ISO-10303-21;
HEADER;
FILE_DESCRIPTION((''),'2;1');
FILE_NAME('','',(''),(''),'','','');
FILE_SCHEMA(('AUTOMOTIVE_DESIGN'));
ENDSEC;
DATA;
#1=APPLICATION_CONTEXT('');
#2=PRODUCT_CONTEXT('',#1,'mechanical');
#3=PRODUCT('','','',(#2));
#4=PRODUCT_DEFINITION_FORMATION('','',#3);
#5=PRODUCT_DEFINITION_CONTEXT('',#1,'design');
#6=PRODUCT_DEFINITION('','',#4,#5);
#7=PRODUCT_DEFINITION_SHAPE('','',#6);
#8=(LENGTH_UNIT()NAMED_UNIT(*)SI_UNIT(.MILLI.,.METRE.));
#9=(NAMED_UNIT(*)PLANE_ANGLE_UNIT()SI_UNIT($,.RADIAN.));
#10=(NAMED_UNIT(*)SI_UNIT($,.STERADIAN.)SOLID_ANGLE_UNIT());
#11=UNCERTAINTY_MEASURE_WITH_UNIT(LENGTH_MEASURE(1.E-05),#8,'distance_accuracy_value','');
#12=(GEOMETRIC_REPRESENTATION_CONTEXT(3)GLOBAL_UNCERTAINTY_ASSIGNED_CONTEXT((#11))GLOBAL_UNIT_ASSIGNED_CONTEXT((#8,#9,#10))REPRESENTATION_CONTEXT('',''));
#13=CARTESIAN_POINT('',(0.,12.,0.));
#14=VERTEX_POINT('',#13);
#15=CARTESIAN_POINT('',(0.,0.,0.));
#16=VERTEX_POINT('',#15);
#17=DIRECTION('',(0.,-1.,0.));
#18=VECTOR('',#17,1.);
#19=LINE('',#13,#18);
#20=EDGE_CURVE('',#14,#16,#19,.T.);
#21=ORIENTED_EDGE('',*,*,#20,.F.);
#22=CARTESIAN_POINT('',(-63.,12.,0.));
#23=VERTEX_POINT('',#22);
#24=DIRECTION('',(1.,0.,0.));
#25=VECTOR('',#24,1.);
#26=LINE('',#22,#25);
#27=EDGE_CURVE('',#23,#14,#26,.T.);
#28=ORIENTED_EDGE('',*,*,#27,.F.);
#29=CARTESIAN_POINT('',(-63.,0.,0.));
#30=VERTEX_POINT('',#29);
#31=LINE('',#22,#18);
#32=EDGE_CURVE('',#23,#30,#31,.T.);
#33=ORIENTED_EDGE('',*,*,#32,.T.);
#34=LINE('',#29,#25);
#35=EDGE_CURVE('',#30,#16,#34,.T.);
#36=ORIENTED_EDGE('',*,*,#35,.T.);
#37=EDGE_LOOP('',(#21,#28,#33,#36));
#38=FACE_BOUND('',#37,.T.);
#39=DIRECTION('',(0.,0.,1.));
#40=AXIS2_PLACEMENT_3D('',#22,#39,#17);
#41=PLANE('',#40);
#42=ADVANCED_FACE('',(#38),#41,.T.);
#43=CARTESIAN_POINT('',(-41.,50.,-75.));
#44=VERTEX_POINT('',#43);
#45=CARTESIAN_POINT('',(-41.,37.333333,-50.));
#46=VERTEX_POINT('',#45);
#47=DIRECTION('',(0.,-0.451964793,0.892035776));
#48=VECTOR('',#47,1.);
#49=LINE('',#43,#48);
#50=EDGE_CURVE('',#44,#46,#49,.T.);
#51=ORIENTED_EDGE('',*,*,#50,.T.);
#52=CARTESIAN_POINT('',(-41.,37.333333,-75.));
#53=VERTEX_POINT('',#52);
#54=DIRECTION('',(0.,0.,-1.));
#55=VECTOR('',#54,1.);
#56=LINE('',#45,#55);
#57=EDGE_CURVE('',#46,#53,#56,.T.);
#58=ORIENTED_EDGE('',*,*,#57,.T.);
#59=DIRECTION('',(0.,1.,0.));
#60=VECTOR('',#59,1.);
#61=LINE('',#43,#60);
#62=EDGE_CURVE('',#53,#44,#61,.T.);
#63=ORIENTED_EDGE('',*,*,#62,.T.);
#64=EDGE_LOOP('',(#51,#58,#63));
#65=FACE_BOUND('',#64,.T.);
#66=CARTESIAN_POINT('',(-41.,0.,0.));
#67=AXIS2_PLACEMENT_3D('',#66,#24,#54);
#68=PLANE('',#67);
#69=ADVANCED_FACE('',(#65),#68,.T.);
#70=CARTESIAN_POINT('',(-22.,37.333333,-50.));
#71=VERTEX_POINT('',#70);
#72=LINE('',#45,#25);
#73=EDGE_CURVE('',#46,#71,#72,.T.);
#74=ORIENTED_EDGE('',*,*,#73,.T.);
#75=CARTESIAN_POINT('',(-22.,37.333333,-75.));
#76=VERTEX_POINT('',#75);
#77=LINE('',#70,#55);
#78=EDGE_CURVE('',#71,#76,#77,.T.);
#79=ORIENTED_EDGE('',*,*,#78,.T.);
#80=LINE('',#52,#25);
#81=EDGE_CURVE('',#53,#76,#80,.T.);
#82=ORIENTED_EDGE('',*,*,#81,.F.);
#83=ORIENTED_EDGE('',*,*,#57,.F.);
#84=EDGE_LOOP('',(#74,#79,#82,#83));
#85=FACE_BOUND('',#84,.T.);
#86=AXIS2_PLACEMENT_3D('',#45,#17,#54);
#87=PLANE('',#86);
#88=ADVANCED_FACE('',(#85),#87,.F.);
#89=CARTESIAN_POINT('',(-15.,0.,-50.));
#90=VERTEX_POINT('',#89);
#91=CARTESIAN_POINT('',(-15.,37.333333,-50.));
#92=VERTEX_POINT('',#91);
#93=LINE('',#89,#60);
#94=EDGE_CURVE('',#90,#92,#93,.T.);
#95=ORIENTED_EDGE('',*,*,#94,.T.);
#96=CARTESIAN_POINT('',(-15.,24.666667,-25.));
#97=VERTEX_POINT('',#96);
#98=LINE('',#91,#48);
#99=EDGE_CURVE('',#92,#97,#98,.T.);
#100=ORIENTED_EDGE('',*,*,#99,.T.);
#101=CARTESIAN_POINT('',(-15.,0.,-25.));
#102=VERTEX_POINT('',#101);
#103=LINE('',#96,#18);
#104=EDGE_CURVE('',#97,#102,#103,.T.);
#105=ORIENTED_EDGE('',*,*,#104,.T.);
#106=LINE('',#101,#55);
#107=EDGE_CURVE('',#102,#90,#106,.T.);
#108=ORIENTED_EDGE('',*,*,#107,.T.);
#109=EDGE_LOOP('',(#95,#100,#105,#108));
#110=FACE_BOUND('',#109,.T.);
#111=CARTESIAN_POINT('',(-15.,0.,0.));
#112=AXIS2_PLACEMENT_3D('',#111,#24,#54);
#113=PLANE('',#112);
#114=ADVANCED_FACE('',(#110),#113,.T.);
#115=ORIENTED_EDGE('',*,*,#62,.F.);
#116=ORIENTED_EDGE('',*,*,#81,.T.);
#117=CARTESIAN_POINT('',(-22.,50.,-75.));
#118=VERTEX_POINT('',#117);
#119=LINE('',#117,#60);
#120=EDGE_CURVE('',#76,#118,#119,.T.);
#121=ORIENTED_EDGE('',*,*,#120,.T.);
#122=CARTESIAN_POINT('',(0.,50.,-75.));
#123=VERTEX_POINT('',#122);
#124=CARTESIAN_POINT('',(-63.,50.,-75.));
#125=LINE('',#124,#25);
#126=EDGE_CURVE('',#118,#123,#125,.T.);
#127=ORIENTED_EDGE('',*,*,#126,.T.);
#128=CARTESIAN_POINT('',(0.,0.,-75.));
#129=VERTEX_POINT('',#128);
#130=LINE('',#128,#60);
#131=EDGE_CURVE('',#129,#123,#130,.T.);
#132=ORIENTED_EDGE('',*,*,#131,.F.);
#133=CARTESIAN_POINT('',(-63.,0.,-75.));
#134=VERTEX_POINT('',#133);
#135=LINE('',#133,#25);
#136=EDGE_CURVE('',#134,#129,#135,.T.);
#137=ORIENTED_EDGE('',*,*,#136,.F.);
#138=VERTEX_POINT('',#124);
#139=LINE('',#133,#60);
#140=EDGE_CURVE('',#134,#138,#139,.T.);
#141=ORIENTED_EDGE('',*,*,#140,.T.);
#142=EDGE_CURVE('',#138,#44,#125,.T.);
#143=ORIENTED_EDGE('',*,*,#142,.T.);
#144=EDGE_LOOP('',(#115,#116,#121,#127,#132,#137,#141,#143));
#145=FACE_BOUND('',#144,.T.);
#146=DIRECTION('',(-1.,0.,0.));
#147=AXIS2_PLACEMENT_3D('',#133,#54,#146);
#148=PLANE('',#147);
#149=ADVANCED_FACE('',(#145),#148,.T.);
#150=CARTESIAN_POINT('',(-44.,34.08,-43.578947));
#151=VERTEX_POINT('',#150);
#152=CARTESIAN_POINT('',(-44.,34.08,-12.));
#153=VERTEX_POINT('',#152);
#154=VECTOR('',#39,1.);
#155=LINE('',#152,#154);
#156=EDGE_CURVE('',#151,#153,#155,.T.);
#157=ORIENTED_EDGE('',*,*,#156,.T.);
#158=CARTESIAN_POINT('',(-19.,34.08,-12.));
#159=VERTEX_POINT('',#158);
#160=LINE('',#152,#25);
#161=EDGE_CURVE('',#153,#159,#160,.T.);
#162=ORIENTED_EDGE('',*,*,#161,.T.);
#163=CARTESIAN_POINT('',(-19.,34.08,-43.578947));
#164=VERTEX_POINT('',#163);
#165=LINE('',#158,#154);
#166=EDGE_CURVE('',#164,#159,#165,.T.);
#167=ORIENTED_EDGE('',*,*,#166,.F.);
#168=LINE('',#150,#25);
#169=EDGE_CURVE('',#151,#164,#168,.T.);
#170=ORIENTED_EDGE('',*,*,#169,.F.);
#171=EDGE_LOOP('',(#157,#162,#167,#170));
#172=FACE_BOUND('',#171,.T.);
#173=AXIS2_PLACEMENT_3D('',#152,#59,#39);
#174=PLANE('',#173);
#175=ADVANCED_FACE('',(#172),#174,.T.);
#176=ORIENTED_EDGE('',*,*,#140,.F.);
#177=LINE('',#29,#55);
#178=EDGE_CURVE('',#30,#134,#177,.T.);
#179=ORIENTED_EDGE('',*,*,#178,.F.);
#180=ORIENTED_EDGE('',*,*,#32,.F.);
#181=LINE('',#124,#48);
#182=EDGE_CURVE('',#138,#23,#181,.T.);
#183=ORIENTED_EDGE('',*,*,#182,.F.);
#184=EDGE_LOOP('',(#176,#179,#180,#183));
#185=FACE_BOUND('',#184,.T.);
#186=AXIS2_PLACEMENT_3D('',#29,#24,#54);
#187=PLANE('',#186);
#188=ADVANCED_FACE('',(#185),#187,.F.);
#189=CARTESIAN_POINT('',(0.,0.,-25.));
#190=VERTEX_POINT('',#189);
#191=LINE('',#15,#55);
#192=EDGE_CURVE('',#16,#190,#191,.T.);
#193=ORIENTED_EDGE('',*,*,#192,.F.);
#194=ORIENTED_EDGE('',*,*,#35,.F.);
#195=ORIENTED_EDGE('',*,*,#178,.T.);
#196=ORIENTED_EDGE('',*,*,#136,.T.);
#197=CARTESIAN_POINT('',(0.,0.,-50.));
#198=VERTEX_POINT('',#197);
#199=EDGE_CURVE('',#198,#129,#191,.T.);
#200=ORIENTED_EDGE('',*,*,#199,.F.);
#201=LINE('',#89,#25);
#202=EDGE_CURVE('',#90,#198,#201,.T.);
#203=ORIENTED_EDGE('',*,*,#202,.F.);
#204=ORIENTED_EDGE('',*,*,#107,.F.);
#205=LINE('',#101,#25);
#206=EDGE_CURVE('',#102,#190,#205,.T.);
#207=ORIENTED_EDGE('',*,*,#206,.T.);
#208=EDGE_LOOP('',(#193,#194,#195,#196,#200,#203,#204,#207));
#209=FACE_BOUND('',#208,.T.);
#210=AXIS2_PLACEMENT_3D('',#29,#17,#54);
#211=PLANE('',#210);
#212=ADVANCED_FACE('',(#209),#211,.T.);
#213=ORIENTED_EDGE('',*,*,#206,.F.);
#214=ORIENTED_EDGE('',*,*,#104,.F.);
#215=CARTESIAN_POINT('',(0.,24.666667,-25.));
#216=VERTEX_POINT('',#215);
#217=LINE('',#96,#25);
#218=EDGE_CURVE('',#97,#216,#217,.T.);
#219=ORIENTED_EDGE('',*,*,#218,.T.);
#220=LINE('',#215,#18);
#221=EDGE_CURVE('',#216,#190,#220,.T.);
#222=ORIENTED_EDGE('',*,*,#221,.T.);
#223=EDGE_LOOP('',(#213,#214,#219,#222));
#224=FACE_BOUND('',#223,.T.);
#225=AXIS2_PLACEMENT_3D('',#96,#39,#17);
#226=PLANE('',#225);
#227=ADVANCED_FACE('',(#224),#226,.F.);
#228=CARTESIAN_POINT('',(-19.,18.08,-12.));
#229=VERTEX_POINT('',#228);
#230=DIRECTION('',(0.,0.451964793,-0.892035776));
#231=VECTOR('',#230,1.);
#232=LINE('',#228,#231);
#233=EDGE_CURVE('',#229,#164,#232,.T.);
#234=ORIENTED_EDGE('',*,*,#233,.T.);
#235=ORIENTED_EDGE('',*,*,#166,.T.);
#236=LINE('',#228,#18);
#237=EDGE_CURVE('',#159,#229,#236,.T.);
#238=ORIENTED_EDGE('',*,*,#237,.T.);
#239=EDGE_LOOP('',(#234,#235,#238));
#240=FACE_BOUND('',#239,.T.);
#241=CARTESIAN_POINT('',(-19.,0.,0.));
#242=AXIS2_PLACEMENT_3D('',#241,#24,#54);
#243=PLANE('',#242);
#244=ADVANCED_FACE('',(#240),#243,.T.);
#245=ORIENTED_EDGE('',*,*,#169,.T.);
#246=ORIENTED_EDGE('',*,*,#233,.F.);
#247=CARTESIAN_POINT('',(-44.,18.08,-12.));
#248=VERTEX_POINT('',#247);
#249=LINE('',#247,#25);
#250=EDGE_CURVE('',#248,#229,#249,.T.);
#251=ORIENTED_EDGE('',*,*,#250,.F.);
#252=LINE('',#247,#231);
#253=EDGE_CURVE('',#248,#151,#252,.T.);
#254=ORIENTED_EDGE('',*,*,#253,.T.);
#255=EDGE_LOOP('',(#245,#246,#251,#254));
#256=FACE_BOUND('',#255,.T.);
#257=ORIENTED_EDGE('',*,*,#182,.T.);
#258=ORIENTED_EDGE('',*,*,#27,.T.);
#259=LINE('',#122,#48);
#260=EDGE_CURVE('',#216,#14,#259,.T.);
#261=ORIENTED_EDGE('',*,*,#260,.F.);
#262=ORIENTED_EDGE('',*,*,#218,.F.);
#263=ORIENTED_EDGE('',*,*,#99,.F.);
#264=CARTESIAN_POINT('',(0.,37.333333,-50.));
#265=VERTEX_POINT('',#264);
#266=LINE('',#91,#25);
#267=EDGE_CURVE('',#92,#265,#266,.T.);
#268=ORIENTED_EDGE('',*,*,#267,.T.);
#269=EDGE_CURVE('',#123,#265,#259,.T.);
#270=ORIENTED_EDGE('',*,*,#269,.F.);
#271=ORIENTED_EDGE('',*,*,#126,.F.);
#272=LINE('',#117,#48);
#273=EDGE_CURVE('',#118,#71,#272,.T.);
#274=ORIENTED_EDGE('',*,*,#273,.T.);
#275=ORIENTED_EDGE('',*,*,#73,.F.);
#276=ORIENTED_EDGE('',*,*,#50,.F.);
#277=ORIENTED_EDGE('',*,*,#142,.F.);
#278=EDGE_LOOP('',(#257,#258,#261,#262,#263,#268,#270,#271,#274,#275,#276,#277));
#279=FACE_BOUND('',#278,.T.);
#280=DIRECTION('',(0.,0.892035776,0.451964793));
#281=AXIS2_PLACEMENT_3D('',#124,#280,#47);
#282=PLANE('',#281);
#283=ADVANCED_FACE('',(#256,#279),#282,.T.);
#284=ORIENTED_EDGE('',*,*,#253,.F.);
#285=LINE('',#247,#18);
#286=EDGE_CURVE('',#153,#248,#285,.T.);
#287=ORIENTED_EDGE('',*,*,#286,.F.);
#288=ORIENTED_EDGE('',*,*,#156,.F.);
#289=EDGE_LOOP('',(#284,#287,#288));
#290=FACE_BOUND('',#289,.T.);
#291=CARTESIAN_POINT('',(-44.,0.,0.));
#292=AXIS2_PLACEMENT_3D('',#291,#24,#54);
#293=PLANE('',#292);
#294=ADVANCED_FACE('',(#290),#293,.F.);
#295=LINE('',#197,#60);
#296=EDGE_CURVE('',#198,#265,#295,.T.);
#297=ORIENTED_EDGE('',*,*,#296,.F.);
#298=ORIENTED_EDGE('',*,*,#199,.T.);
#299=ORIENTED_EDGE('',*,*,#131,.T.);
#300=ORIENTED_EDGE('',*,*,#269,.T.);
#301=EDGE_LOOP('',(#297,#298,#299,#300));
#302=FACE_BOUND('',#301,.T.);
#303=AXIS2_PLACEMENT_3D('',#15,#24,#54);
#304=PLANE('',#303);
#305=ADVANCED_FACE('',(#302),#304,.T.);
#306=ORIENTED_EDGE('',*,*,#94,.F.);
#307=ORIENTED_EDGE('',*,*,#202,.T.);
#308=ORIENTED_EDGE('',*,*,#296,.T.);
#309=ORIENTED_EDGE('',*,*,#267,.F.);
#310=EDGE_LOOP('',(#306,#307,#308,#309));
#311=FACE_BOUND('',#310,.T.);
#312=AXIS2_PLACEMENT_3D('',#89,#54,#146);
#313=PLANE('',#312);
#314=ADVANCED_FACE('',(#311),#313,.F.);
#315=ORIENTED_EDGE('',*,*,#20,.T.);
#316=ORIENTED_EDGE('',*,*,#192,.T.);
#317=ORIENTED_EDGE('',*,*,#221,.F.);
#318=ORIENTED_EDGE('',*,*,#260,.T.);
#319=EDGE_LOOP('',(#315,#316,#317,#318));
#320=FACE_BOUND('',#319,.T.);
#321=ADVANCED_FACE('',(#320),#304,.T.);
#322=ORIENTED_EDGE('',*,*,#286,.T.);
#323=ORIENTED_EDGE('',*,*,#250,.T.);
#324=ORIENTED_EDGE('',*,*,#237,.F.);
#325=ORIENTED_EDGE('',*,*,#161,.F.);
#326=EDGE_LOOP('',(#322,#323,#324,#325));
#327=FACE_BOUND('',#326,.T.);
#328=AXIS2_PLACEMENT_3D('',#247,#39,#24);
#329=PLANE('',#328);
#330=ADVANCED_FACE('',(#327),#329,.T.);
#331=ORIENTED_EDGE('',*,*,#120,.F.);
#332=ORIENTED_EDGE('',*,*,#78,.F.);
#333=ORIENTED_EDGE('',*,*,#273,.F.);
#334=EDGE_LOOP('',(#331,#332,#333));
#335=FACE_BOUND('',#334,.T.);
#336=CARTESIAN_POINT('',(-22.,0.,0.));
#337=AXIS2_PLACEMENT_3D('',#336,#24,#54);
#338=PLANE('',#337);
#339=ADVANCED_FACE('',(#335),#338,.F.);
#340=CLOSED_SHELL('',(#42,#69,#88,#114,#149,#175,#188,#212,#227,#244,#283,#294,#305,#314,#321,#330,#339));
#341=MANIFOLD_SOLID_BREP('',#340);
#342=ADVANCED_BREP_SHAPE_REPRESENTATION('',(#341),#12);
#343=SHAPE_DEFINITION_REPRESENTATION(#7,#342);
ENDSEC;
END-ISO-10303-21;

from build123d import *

# Parameters (mm, degrees)
BOSS_EXTRUDE1_DEPTH = 63
CUT_EXTRUDE1_DEPTH  = 15
BOSS_EXTRUDE2_DEPTH = 25
CUT_EXTRUDE2_DEPTH  = 19


with BuildPart() as part:
    # Sketch1 → Boss-Extrude1 (new body)
    with BuildSketch(Plane(origin=(0, 0, 0), x_dir=(0, 0, -1), z_dir=(1, 0, 0))):
        Polygon((75, 0), (75, 50), (0, 12), (0, 0), align=None)
    extrude(amount=-BOSS_EXTRUDE1_DEPTH)

    # Sketch2 → Cut-Extrude1 (cut)
    with BuildSketch(Plane(origin=(0, 0, 0), x_dir=(0, 0, -1), z_dir=(1, 0, 0))):
        Polygon((50, 0), (50, 37.333333333), (25, 24.666666667), (25, 0), align=None)
    extrude(amount=-CUT_EXTRUDE1_DEPTH, mode=Mode.SUBTRACT)

    # Sketch4 → Boss-Extrude2 (add)
    with BuildSketch(Plane(origin=(-19, 0, 0), x_dir=(0, 0, -1), z_dir=(1, 0, 0))):
        Polygon((12, 18.08), (12, 34.08), (43.578947368, 34.08), align=None)
    extrude(amount=-BOSS_EXTRUDE2_DEPTH)

    # Sketch5 → Cut-Extrude2 (cut)
    with BuildSketch(Plane(origin=(-22, 0, 0), x_dir=(0, 0, -1), z_dir=(1, 0, 0))):
        Polygon((75, 50), (50, 37.333333333), (75, 37.333333333), align=None)
    extrude(amount=-CUT_EXTRUDE2_DEPTH, mode=Mode.SUBTRACT)


solid = part.part
